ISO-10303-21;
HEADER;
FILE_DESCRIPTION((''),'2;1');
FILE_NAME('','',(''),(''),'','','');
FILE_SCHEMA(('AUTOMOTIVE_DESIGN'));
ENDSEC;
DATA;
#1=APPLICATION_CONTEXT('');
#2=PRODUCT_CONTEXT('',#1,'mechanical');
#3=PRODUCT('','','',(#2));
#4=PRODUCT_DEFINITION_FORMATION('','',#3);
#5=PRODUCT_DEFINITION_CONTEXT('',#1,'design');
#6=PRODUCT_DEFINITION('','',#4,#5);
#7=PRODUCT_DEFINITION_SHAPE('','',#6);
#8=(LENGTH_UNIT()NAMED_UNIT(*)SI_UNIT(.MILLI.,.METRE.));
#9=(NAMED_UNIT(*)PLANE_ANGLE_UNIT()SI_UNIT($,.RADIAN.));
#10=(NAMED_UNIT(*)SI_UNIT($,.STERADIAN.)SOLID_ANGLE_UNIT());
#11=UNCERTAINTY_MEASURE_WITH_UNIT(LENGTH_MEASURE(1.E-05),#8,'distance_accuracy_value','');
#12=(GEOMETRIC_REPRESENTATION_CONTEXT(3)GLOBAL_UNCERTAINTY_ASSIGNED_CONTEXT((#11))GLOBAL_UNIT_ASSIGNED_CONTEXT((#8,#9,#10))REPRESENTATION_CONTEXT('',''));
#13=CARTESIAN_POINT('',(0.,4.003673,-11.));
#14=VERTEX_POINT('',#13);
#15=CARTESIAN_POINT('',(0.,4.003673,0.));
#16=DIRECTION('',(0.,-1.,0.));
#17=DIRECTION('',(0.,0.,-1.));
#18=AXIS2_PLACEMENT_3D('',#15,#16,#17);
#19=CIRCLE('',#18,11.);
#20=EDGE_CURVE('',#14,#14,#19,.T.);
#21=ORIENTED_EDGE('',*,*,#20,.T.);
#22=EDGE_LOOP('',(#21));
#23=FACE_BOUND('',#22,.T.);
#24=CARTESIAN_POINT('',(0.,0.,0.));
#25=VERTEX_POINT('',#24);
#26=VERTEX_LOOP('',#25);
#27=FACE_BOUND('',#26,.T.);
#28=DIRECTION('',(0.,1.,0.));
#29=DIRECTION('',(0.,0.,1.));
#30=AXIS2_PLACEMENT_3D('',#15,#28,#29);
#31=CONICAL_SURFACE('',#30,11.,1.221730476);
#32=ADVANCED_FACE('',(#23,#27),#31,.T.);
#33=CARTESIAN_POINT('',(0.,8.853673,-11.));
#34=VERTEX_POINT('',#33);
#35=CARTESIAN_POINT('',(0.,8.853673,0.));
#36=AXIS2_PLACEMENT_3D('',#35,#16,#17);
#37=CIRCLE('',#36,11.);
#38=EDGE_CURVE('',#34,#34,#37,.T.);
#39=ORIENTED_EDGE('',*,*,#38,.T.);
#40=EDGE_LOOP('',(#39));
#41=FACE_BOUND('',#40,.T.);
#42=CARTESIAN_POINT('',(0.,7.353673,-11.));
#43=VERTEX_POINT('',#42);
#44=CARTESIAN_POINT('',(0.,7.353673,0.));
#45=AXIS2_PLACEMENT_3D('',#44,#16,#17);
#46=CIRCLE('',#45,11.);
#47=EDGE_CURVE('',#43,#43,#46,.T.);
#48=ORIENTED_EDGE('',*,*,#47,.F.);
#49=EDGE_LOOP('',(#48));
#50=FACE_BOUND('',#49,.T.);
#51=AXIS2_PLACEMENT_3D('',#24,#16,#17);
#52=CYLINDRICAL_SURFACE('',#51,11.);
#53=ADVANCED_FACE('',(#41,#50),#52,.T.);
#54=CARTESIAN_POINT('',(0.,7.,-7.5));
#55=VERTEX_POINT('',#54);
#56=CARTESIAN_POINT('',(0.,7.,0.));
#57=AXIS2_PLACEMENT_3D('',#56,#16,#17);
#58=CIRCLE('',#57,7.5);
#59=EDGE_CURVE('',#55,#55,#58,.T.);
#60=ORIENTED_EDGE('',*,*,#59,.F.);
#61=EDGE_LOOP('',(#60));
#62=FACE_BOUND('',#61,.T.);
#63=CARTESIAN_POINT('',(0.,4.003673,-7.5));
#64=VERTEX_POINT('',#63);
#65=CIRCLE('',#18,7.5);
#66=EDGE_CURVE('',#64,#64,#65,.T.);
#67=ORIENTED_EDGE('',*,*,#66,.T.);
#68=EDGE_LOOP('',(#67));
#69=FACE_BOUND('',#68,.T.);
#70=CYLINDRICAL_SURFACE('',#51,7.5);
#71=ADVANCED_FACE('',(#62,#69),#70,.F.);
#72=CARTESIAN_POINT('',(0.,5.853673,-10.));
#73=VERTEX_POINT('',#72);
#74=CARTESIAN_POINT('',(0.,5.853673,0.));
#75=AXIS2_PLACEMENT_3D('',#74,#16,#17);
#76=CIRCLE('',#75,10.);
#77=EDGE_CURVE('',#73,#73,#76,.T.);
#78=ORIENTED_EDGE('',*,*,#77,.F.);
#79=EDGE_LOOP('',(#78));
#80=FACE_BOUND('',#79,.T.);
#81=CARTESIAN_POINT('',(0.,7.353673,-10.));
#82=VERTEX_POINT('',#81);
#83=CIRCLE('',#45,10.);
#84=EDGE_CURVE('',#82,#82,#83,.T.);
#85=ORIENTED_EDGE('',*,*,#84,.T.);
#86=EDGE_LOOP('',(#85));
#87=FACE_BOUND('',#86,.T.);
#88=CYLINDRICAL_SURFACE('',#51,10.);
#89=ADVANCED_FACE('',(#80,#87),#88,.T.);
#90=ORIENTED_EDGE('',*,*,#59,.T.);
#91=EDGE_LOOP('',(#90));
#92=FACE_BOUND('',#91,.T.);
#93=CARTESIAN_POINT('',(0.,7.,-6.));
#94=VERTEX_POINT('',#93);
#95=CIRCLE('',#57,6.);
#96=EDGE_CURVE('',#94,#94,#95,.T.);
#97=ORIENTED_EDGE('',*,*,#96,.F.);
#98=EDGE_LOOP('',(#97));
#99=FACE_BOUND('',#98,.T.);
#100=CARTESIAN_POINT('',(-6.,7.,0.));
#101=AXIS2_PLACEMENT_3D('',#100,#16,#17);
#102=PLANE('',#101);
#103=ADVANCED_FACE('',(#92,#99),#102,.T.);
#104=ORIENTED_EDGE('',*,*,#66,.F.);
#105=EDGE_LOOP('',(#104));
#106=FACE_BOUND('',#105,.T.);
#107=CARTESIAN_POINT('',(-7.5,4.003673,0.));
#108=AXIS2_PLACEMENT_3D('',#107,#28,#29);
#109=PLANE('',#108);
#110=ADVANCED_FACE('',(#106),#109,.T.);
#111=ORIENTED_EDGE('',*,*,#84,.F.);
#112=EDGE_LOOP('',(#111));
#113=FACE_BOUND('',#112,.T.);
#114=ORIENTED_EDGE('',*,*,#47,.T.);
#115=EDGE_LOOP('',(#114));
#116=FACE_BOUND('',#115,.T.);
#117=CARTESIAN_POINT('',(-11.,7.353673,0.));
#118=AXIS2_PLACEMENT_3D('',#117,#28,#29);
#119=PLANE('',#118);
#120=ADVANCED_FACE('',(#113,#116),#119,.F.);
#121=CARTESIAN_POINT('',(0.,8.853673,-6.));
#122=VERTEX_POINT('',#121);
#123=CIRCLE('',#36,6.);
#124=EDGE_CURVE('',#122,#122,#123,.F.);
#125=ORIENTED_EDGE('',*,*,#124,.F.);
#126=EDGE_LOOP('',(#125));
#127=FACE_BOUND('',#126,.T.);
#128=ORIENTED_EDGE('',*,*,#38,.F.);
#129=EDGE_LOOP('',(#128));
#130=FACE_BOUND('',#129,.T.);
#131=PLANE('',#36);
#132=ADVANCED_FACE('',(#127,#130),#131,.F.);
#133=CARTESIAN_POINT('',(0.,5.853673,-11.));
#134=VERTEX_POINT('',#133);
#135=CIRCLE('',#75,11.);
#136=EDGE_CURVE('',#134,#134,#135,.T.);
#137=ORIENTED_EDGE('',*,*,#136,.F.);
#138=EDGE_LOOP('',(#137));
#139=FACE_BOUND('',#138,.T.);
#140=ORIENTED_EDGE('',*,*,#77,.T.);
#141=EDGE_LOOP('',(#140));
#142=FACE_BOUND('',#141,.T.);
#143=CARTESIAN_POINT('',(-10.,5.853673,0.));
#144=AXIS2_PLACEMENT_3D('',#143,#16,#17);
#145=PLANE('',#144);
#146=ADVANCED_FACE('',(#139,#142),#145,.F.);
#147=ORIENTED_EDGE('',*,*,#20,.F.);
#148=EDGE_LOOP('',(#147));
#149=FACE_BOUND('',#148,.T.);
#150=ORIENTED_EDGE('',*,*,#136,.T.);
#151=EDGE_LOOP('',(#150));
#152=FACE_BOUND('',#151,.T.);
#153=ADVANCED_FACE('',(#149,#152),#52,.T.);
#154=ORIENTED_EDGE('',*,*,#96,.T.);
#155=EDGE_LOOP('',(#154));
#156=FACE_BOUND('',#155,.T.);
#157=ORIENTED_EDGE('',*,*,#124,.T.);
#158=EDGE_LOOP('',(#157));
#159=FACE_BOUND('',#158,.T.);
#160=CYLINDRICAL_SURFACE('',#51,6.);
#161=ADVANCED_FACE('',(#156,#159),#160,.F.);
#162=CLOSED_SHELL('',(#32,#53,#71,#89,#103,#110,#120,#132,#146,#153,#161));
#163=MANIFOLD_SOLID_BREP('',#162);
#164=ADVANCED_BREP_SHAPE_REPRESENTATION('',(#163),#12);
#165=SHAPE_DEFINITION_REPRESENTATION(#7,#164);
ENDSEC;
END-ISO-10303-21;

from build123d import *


with BuildPart() as part:
    # Esquisse1 → Révolution1 (revolve)
    with BuildSketch(Plane.XY, mode=Mode.PRIVATE) as r_volution1_sk:
        Polygon((0, 0), (0, 8.853672577), (-11, 8.853672577), (-11, 7.353672577), (-10, 7.353672577), (-10, 5.853672577), (-11, 5.853672577), (-11, 4.003672577), align=None)
    revolve(r_volution1_sk.sketch.rotate(Axis((0, 0, 0), (0, 1, 0)), 270), axis=Axis((0, 0, 0), (0, 1, 0)))

    # Esquisse3 → Enlèvement de matière-Révolution1 (revolve, cut)
    with BuildSketch(Plane.XY, mode=Mode.PRIVATE) as enl_vement_de_mati_re_r_volution1_sk:
        Polygon((-6, 10), (-6, 7), (-7.5, 7), (-7.5, 4.003672577), (0, 4.003672577), (0, 10), align=None)
    revolve(enl_vement_de_mati_re_r_volution1_sk.sketch.rotate(Axis((0, 0, 0), (0, 1, 0)), 270), axis=Axis((0, 0, 0), (0, 1, 0)), mode=Mode.SUBTRACT)


solid = part.part
